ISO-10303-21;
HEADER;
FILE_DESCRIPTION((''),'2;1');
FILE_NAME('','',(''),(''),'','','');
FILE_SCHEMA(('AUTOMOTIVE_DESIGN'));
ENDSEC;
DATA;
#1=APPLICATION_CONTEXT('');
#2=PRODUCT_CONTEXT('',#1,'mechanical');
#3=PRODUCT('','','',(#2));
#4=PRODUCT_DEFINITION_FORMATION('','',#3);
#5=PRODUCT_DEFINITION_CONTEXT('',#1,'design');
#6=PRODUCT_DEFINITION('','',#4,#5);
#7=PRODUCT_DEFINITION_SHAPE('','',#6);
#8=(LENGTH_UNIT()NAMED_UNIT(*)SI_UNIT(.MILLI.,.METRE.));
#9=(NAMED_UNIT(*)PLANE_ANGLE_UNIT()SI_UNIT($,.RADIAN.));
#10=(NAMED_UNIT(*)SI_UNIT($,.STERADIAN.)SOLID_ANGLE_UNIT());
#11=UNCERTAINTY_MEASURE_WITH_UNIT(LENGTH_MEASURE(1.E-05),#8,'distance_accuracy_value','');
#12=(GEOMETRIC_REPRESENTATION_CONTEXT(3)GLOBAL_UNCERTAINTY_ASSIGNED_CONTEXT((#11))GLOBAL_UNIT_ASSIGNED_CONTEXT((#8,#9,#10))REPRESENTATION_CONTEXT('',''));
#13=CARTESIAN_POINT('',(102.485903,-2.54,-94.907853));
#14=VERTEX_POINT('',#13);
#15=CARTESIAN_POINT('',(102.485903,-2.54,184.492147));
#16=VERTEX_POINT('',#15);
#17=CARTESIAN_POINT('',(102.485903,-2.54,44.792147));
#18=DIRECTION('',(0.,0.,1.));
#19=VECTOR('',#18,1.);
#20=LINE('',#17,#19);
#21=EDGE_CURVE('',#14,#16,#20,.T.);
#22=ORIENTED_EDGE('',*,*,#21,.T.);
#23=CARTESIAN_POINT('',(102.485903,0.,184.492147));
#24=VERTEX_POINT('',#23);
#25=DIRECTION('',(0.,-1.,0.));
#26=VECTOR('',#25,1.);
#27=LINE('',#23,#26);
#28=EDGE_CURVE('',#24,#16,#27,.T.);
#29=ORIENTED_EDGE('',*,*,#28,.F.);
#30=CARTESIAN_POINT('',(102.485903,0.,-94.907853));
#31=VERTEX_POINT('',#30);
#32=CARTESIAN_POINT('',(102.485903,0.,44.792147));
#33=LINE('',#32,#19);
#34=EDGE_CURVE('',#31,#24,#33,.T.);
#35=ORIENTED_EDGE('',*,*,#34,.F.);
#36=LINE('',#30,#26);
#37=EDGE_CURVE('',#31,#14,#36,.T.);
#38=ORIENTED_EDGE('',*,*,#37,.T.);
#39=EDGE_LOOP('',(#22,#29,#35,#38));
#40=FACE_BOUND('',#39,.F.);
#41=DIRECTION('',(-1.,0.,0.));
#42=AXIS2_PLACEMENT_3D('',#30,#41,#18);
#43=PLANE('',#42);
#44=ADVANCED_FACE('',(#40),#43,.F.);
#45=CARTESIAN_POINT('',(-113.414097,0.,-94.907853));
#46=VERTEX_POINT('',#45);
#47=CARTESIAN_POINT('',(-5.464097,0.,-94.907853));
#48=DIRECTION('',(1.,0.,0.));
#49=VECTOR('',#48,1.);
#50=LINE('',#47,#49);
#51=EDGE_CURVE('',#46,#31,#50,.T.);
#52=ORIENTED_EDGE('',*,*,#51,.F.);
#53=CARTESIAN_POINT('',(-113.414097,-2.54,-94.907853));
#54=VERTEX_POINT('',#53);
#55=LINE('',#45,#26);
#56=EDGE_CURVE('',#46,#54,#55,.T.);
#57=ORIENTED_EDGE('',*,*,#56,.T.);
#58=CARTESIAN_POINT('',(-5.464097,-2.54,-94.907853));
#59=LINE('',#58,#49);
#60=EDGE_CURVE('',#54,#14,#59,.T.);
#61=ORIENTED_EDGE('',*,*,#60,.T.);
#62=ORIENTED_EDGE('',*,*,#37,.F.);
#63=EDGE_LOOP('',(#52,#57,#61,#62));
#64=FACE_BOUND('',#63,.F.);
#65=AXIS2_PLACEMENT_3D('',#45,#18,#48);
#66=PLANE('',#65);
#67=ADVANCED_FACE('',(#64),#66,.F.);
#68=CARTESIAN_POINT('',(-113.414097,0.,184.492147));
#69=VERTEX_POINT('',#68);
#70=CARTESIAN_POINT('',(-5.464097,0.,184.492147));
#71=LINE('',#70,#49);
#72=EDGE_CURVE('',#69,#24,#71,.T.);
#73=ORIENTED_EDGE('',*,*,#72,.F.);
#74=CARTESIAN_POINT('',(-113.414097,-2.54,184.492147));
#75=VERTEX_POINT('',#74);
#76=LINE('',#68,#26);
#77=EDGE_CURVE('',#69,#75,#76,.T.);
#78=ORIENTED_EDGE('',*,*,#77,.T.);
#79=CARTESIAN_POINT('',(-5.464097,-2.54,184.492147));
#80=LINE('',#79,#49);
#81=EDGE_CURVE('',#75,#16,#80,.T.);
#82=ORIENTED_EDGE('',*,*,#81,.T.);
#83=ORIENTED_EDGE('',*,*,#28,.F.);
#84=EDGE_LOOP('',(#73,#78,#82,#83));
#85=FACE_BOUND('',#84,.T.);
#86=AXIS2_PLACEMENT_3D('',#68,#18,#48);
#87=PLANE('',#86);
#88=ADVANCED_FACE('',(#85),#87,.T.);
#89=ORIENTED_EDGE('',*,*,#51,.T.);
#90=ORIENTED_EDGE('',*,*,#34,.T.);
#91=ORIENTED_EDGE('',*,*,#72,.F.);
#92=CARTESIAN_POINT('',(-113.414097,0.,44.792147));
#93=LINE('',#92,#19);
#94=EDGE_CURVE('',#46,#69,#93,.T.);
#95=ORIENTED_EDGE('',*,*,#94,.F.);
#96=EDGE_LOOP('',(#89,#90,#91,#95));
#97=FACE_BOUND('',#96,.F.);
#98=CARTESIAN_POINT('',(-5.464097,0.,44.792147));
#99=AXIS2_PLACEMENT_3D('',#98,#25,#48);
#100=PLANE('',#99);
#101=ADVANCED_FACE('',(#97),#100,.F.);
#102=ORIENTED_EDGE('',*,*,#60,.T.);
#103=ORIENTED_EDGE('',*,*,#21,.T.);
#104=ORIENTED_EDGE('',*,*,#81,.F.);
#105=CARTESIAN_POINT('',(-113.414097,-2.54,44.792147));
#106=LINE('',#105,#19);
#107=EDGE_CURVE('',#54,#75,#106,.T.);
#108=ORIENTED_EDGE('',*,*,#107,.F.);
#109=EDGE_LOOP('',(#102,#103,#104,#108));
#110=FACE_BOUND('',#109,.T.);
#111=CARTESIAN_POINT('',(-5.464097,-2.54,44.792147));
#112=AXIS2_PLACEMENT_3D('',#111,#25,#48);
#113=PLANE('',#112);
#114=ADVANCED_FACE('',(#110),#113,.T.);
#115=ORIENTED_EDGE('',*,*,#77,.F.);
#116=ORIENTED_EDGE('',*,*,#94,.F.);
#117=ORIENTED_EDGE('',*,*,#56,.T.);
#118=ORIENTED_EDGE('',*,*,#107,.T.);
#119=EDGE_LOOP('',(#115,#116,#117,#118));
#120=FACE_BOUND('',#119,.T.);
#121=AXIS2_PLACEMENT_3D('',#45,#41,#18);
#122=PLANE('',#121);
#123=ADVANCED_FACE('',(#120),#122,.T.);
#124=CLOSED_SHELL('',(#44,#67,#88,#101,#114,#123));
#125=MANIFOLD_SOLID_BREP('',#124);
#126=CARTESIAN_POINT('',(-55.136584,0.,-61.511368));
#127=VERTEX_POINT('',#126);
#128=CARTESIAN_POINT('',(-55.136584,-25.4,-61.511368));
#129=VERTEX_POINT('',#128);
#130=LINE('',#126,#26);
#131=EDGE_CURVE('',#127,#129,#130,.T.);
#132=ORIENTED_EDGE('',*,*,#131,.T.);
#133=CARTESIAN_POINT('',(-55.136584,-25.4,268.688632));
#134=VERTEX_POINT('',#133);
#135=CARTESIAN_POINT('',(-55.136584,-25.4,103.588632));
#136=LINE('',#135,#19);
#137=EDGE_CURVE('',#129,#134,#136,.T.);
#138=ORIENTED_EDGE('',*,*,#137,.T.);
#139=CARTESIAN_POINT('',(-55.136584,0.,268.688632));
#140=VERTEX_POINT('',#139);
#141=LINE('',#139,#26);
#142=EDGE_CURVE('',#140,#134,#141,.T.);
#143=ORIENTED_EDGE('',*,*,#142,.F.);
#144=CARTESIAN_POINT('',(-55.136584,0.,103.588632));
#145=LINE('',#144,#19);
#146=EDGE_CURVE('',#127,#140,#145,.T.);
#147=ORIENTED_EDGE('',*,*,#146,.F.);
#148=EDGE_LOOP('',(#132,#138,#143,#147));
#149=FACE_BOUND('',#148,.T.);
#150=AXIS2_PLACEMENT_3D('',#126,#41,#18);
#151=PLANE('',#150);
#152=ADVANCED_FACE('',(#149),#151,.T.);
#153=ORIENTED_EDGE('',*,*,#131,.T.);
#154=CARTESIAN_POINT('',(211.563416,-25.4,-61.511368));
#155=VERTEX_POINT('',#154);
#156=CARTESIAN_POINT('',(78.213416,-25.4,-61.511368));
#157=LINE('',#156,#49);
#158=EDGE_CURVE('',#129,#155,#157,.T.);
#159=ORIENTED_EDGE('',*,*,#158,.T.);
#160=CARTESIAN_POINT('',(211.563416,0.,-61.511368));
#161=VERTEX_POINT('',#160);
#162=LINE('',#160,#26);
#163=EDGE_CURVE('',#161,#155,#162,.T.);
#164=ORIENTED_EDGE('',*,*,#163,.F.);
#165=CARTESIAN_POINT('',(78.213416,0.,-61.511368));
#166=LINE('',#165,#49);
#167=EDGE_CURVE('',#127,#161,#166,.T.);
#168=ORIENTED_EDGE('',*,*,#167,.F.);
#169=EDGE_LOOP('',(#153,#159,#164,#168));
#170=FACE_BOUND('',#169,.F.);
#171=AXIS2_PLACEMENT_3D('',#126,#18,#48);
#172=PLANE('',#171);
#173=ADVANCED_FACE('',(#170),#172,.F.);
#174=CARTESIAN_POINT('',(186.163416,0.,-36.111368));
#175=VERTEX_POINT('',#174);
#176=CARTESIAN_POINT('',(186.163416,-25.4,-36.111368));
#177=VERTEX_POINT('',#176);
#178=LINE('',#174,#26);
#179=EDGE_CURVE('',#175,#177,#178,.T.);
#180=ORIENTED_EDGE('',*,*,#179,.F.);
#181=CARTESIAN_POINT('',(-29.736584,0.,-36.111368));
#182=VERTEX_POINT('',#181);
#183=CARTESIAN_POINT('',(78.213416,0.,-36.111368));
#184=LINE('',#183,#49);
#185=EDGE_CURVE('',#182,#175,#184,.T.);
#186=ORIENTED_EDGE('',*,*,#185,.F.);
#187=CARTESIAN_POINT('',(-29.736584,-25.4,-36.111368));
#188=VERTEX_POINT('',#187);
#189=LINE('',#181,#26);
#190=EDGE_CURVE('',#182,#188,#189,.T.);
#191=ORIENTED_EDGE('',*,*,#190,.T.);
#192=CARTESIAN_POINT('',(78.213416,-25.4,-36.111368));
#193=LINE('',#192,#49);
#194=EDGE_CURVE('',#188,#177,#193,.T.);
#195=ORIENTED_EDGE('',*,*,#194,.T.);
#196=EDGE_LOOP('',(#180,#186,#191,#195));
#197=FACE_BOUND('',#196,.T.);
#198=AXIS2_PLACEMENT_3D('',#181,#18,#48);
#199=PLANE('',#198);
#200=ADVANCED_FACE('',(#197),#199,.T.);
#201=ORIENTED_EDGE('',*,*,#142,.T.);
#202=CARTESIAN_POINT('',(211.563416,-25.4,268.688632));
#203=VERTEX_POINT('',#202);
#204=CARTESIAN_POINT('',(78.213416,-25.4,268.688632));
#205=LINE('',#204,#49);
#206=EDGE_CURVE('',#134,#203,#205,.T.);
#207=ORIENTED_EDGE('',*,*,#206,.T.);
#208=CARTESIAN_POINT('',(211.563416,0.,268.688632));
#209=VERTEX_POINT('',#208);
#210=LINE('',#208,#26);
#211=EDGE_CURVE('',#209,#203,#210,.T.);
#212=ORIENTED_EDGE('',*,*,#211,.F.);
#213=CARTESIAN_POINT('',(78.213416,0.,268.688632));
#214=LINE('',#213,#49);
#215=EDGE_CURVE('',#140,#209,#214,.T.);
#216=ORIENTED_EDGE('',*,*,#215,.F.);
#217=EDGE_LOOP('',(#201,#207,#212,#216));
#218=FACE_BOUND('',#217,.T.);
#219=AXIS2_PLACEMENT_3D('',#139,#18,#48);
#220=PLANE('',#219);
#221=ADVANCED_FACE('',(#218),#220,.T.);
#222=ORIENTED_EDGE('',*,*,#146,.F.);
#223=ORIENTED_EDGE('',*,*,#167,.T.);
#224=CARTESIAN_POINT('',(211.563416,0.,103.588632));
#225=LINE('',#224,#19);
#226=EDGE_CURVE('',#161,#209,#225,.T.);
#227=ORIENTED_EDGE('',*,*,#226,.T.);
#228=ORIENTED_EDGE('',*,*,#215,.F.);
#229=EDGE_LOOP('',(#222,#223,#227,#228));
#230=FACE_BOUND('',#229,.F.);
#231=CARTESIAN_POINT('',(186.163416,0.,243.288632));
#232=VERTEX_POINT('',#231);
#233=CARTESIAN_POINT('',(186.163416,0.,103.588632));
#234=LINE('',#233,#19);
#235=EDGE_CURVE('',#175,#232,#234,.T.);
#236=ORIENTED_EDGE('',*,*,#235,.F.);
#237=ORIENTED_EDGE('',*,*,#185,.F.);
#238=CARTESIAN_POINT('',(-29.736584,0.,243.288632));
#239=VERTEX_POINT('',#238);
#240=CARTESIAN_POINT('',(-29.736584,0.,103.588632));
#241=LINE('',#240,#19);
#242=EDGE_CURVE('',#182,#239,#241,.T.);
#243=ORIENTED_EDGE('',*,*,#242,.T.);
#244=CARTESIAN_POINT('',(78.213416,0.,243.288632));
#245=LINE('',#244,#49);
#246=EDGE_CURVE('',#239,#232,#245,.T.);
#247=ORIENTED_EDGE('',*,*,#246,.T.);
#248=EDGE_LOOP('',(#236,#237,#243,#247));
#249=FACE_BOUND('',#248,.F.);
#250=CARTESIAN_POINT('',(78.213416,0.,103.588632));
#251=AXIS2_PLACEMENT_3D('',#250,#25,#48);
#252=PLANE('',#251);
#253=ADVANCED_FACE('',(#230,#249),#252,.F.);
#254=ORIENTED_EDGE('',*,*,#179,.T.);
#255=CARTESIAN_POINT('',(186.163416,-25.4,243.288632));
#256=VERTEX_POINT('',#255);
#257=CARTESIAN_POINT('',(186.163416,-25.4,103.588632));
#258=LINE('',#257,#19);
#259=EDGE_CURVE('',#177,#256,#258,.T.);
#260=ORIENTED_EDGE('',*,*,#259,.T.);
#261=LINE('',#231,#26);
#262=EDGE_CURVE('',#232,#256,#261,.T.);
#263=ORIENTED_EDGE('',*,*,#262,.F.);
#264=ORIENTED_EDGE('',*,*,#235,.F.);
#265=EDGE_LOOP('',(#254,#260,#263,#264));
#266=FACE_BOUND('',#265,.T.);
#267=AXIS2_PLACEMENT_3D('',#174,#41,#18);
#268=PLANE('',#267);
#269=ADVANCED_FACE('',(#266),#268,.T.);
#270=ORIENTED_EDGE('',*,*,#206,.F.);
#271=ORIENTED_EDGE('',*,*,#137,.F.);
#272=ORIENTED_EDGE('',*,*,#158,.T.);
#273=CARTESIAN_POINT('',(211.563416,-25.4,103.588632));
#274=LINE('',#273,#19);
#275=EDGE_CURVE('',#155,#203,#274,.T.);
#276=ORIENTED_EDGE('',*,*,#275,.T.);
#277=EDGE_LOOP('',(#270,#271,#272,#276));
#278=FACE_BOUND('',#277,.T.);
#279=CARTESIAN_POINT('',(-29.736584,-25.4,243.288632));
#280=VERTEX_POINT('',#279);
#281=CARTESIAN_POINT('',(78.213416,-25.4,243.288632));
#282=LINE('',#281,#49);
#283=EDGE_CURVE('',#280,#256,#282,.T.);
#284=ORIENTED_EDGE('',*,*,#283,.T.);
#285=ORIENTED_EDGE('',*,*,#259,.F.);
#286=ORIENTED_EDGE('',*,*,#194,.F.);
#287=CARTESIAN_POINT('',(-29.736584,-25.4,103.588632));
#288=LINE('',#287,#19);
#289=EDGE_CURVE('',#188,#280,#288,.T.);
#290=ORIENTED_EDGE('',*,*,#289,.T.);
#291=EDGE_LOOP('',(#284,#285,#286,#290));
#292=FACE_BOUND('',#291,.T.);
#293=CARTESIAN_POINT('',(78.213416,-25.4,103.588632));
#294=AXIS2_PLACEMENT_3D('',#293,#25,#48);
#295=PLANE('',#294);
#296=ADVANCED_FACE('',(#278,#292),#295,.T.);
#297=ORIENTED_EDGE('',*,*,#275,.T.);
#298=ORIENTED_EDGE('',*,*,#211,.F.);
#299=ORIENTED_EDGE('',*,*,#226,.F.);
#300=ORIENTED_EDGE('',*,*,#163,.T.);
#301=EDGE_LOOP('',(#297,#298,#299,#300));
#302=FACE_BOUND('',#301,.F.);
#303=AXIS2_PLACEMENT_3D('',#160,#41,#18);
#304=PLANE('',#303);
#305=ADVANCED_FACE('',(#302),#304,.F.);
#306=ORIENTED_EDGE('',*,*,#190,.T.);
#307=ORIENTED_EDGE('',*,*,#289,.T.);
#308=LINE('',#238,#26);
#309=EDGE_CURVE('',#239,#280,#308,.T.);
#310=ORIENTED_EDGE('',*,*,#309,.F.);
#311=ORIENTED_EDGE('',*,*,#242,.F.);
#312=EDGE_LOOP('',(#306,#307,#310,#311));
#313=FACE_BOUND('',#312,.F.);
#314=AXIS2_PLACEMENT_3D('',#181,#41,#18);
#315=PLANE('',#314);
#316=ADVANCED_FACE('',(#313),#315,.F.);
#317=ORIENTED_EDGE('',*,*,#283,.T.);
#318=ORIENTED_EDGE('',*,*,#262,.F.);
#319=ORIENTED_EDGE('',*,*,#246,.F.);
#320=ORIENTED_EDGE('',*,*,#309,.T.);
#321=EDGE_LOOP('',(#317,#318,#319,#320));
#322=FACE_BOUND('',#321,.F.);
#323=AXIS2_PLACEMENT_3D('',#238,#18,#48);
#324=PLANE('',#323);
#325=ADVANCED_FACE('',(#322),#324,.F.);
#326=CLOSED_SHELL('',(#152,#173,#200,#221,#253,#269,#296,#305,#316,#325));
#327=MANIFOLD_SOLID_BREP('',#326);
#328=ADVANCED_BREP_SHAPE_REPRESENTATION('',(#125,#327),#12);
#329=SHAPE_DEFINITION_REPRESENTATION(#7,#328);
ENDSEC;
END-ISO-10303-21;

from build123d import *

# Parameters (mm, degrees)
F0_W     = 266.7
F0_H     = 330.2
F0_W_2   = 215.9
F0_H_2   = 279.4
F1_DEPTH = 25.4
F2_W     = 215.9
F2_H     = 279.4
F3_DEPTH = 2.54


with BuildPart() as f1:
    # F0 (on Front) → F1 (new body)
    with BuildSketch(Plane.XZ):
        with Locations((78.213416, 103.588632)):
            Rectangle(F0_W, F0_H)
        with Locations((78.213416, 103.588632)):
            Rectangle(F0_W_2, F0_H_2, mode=Mode.SUBTRACT)
    extrude(amount=F1_DEPTH)


with BuildPart() as f3:
    # F2 (on Front) → F3 (new body)
    with BuildSketch(Plane.XZ):
        with Locations((-5.464097, 44.792147)):
            Rectangle(F2_W, F2_H)
    extrude(amount=F3_DEPTH)


solid = Compound([f1.part, f3.part])
